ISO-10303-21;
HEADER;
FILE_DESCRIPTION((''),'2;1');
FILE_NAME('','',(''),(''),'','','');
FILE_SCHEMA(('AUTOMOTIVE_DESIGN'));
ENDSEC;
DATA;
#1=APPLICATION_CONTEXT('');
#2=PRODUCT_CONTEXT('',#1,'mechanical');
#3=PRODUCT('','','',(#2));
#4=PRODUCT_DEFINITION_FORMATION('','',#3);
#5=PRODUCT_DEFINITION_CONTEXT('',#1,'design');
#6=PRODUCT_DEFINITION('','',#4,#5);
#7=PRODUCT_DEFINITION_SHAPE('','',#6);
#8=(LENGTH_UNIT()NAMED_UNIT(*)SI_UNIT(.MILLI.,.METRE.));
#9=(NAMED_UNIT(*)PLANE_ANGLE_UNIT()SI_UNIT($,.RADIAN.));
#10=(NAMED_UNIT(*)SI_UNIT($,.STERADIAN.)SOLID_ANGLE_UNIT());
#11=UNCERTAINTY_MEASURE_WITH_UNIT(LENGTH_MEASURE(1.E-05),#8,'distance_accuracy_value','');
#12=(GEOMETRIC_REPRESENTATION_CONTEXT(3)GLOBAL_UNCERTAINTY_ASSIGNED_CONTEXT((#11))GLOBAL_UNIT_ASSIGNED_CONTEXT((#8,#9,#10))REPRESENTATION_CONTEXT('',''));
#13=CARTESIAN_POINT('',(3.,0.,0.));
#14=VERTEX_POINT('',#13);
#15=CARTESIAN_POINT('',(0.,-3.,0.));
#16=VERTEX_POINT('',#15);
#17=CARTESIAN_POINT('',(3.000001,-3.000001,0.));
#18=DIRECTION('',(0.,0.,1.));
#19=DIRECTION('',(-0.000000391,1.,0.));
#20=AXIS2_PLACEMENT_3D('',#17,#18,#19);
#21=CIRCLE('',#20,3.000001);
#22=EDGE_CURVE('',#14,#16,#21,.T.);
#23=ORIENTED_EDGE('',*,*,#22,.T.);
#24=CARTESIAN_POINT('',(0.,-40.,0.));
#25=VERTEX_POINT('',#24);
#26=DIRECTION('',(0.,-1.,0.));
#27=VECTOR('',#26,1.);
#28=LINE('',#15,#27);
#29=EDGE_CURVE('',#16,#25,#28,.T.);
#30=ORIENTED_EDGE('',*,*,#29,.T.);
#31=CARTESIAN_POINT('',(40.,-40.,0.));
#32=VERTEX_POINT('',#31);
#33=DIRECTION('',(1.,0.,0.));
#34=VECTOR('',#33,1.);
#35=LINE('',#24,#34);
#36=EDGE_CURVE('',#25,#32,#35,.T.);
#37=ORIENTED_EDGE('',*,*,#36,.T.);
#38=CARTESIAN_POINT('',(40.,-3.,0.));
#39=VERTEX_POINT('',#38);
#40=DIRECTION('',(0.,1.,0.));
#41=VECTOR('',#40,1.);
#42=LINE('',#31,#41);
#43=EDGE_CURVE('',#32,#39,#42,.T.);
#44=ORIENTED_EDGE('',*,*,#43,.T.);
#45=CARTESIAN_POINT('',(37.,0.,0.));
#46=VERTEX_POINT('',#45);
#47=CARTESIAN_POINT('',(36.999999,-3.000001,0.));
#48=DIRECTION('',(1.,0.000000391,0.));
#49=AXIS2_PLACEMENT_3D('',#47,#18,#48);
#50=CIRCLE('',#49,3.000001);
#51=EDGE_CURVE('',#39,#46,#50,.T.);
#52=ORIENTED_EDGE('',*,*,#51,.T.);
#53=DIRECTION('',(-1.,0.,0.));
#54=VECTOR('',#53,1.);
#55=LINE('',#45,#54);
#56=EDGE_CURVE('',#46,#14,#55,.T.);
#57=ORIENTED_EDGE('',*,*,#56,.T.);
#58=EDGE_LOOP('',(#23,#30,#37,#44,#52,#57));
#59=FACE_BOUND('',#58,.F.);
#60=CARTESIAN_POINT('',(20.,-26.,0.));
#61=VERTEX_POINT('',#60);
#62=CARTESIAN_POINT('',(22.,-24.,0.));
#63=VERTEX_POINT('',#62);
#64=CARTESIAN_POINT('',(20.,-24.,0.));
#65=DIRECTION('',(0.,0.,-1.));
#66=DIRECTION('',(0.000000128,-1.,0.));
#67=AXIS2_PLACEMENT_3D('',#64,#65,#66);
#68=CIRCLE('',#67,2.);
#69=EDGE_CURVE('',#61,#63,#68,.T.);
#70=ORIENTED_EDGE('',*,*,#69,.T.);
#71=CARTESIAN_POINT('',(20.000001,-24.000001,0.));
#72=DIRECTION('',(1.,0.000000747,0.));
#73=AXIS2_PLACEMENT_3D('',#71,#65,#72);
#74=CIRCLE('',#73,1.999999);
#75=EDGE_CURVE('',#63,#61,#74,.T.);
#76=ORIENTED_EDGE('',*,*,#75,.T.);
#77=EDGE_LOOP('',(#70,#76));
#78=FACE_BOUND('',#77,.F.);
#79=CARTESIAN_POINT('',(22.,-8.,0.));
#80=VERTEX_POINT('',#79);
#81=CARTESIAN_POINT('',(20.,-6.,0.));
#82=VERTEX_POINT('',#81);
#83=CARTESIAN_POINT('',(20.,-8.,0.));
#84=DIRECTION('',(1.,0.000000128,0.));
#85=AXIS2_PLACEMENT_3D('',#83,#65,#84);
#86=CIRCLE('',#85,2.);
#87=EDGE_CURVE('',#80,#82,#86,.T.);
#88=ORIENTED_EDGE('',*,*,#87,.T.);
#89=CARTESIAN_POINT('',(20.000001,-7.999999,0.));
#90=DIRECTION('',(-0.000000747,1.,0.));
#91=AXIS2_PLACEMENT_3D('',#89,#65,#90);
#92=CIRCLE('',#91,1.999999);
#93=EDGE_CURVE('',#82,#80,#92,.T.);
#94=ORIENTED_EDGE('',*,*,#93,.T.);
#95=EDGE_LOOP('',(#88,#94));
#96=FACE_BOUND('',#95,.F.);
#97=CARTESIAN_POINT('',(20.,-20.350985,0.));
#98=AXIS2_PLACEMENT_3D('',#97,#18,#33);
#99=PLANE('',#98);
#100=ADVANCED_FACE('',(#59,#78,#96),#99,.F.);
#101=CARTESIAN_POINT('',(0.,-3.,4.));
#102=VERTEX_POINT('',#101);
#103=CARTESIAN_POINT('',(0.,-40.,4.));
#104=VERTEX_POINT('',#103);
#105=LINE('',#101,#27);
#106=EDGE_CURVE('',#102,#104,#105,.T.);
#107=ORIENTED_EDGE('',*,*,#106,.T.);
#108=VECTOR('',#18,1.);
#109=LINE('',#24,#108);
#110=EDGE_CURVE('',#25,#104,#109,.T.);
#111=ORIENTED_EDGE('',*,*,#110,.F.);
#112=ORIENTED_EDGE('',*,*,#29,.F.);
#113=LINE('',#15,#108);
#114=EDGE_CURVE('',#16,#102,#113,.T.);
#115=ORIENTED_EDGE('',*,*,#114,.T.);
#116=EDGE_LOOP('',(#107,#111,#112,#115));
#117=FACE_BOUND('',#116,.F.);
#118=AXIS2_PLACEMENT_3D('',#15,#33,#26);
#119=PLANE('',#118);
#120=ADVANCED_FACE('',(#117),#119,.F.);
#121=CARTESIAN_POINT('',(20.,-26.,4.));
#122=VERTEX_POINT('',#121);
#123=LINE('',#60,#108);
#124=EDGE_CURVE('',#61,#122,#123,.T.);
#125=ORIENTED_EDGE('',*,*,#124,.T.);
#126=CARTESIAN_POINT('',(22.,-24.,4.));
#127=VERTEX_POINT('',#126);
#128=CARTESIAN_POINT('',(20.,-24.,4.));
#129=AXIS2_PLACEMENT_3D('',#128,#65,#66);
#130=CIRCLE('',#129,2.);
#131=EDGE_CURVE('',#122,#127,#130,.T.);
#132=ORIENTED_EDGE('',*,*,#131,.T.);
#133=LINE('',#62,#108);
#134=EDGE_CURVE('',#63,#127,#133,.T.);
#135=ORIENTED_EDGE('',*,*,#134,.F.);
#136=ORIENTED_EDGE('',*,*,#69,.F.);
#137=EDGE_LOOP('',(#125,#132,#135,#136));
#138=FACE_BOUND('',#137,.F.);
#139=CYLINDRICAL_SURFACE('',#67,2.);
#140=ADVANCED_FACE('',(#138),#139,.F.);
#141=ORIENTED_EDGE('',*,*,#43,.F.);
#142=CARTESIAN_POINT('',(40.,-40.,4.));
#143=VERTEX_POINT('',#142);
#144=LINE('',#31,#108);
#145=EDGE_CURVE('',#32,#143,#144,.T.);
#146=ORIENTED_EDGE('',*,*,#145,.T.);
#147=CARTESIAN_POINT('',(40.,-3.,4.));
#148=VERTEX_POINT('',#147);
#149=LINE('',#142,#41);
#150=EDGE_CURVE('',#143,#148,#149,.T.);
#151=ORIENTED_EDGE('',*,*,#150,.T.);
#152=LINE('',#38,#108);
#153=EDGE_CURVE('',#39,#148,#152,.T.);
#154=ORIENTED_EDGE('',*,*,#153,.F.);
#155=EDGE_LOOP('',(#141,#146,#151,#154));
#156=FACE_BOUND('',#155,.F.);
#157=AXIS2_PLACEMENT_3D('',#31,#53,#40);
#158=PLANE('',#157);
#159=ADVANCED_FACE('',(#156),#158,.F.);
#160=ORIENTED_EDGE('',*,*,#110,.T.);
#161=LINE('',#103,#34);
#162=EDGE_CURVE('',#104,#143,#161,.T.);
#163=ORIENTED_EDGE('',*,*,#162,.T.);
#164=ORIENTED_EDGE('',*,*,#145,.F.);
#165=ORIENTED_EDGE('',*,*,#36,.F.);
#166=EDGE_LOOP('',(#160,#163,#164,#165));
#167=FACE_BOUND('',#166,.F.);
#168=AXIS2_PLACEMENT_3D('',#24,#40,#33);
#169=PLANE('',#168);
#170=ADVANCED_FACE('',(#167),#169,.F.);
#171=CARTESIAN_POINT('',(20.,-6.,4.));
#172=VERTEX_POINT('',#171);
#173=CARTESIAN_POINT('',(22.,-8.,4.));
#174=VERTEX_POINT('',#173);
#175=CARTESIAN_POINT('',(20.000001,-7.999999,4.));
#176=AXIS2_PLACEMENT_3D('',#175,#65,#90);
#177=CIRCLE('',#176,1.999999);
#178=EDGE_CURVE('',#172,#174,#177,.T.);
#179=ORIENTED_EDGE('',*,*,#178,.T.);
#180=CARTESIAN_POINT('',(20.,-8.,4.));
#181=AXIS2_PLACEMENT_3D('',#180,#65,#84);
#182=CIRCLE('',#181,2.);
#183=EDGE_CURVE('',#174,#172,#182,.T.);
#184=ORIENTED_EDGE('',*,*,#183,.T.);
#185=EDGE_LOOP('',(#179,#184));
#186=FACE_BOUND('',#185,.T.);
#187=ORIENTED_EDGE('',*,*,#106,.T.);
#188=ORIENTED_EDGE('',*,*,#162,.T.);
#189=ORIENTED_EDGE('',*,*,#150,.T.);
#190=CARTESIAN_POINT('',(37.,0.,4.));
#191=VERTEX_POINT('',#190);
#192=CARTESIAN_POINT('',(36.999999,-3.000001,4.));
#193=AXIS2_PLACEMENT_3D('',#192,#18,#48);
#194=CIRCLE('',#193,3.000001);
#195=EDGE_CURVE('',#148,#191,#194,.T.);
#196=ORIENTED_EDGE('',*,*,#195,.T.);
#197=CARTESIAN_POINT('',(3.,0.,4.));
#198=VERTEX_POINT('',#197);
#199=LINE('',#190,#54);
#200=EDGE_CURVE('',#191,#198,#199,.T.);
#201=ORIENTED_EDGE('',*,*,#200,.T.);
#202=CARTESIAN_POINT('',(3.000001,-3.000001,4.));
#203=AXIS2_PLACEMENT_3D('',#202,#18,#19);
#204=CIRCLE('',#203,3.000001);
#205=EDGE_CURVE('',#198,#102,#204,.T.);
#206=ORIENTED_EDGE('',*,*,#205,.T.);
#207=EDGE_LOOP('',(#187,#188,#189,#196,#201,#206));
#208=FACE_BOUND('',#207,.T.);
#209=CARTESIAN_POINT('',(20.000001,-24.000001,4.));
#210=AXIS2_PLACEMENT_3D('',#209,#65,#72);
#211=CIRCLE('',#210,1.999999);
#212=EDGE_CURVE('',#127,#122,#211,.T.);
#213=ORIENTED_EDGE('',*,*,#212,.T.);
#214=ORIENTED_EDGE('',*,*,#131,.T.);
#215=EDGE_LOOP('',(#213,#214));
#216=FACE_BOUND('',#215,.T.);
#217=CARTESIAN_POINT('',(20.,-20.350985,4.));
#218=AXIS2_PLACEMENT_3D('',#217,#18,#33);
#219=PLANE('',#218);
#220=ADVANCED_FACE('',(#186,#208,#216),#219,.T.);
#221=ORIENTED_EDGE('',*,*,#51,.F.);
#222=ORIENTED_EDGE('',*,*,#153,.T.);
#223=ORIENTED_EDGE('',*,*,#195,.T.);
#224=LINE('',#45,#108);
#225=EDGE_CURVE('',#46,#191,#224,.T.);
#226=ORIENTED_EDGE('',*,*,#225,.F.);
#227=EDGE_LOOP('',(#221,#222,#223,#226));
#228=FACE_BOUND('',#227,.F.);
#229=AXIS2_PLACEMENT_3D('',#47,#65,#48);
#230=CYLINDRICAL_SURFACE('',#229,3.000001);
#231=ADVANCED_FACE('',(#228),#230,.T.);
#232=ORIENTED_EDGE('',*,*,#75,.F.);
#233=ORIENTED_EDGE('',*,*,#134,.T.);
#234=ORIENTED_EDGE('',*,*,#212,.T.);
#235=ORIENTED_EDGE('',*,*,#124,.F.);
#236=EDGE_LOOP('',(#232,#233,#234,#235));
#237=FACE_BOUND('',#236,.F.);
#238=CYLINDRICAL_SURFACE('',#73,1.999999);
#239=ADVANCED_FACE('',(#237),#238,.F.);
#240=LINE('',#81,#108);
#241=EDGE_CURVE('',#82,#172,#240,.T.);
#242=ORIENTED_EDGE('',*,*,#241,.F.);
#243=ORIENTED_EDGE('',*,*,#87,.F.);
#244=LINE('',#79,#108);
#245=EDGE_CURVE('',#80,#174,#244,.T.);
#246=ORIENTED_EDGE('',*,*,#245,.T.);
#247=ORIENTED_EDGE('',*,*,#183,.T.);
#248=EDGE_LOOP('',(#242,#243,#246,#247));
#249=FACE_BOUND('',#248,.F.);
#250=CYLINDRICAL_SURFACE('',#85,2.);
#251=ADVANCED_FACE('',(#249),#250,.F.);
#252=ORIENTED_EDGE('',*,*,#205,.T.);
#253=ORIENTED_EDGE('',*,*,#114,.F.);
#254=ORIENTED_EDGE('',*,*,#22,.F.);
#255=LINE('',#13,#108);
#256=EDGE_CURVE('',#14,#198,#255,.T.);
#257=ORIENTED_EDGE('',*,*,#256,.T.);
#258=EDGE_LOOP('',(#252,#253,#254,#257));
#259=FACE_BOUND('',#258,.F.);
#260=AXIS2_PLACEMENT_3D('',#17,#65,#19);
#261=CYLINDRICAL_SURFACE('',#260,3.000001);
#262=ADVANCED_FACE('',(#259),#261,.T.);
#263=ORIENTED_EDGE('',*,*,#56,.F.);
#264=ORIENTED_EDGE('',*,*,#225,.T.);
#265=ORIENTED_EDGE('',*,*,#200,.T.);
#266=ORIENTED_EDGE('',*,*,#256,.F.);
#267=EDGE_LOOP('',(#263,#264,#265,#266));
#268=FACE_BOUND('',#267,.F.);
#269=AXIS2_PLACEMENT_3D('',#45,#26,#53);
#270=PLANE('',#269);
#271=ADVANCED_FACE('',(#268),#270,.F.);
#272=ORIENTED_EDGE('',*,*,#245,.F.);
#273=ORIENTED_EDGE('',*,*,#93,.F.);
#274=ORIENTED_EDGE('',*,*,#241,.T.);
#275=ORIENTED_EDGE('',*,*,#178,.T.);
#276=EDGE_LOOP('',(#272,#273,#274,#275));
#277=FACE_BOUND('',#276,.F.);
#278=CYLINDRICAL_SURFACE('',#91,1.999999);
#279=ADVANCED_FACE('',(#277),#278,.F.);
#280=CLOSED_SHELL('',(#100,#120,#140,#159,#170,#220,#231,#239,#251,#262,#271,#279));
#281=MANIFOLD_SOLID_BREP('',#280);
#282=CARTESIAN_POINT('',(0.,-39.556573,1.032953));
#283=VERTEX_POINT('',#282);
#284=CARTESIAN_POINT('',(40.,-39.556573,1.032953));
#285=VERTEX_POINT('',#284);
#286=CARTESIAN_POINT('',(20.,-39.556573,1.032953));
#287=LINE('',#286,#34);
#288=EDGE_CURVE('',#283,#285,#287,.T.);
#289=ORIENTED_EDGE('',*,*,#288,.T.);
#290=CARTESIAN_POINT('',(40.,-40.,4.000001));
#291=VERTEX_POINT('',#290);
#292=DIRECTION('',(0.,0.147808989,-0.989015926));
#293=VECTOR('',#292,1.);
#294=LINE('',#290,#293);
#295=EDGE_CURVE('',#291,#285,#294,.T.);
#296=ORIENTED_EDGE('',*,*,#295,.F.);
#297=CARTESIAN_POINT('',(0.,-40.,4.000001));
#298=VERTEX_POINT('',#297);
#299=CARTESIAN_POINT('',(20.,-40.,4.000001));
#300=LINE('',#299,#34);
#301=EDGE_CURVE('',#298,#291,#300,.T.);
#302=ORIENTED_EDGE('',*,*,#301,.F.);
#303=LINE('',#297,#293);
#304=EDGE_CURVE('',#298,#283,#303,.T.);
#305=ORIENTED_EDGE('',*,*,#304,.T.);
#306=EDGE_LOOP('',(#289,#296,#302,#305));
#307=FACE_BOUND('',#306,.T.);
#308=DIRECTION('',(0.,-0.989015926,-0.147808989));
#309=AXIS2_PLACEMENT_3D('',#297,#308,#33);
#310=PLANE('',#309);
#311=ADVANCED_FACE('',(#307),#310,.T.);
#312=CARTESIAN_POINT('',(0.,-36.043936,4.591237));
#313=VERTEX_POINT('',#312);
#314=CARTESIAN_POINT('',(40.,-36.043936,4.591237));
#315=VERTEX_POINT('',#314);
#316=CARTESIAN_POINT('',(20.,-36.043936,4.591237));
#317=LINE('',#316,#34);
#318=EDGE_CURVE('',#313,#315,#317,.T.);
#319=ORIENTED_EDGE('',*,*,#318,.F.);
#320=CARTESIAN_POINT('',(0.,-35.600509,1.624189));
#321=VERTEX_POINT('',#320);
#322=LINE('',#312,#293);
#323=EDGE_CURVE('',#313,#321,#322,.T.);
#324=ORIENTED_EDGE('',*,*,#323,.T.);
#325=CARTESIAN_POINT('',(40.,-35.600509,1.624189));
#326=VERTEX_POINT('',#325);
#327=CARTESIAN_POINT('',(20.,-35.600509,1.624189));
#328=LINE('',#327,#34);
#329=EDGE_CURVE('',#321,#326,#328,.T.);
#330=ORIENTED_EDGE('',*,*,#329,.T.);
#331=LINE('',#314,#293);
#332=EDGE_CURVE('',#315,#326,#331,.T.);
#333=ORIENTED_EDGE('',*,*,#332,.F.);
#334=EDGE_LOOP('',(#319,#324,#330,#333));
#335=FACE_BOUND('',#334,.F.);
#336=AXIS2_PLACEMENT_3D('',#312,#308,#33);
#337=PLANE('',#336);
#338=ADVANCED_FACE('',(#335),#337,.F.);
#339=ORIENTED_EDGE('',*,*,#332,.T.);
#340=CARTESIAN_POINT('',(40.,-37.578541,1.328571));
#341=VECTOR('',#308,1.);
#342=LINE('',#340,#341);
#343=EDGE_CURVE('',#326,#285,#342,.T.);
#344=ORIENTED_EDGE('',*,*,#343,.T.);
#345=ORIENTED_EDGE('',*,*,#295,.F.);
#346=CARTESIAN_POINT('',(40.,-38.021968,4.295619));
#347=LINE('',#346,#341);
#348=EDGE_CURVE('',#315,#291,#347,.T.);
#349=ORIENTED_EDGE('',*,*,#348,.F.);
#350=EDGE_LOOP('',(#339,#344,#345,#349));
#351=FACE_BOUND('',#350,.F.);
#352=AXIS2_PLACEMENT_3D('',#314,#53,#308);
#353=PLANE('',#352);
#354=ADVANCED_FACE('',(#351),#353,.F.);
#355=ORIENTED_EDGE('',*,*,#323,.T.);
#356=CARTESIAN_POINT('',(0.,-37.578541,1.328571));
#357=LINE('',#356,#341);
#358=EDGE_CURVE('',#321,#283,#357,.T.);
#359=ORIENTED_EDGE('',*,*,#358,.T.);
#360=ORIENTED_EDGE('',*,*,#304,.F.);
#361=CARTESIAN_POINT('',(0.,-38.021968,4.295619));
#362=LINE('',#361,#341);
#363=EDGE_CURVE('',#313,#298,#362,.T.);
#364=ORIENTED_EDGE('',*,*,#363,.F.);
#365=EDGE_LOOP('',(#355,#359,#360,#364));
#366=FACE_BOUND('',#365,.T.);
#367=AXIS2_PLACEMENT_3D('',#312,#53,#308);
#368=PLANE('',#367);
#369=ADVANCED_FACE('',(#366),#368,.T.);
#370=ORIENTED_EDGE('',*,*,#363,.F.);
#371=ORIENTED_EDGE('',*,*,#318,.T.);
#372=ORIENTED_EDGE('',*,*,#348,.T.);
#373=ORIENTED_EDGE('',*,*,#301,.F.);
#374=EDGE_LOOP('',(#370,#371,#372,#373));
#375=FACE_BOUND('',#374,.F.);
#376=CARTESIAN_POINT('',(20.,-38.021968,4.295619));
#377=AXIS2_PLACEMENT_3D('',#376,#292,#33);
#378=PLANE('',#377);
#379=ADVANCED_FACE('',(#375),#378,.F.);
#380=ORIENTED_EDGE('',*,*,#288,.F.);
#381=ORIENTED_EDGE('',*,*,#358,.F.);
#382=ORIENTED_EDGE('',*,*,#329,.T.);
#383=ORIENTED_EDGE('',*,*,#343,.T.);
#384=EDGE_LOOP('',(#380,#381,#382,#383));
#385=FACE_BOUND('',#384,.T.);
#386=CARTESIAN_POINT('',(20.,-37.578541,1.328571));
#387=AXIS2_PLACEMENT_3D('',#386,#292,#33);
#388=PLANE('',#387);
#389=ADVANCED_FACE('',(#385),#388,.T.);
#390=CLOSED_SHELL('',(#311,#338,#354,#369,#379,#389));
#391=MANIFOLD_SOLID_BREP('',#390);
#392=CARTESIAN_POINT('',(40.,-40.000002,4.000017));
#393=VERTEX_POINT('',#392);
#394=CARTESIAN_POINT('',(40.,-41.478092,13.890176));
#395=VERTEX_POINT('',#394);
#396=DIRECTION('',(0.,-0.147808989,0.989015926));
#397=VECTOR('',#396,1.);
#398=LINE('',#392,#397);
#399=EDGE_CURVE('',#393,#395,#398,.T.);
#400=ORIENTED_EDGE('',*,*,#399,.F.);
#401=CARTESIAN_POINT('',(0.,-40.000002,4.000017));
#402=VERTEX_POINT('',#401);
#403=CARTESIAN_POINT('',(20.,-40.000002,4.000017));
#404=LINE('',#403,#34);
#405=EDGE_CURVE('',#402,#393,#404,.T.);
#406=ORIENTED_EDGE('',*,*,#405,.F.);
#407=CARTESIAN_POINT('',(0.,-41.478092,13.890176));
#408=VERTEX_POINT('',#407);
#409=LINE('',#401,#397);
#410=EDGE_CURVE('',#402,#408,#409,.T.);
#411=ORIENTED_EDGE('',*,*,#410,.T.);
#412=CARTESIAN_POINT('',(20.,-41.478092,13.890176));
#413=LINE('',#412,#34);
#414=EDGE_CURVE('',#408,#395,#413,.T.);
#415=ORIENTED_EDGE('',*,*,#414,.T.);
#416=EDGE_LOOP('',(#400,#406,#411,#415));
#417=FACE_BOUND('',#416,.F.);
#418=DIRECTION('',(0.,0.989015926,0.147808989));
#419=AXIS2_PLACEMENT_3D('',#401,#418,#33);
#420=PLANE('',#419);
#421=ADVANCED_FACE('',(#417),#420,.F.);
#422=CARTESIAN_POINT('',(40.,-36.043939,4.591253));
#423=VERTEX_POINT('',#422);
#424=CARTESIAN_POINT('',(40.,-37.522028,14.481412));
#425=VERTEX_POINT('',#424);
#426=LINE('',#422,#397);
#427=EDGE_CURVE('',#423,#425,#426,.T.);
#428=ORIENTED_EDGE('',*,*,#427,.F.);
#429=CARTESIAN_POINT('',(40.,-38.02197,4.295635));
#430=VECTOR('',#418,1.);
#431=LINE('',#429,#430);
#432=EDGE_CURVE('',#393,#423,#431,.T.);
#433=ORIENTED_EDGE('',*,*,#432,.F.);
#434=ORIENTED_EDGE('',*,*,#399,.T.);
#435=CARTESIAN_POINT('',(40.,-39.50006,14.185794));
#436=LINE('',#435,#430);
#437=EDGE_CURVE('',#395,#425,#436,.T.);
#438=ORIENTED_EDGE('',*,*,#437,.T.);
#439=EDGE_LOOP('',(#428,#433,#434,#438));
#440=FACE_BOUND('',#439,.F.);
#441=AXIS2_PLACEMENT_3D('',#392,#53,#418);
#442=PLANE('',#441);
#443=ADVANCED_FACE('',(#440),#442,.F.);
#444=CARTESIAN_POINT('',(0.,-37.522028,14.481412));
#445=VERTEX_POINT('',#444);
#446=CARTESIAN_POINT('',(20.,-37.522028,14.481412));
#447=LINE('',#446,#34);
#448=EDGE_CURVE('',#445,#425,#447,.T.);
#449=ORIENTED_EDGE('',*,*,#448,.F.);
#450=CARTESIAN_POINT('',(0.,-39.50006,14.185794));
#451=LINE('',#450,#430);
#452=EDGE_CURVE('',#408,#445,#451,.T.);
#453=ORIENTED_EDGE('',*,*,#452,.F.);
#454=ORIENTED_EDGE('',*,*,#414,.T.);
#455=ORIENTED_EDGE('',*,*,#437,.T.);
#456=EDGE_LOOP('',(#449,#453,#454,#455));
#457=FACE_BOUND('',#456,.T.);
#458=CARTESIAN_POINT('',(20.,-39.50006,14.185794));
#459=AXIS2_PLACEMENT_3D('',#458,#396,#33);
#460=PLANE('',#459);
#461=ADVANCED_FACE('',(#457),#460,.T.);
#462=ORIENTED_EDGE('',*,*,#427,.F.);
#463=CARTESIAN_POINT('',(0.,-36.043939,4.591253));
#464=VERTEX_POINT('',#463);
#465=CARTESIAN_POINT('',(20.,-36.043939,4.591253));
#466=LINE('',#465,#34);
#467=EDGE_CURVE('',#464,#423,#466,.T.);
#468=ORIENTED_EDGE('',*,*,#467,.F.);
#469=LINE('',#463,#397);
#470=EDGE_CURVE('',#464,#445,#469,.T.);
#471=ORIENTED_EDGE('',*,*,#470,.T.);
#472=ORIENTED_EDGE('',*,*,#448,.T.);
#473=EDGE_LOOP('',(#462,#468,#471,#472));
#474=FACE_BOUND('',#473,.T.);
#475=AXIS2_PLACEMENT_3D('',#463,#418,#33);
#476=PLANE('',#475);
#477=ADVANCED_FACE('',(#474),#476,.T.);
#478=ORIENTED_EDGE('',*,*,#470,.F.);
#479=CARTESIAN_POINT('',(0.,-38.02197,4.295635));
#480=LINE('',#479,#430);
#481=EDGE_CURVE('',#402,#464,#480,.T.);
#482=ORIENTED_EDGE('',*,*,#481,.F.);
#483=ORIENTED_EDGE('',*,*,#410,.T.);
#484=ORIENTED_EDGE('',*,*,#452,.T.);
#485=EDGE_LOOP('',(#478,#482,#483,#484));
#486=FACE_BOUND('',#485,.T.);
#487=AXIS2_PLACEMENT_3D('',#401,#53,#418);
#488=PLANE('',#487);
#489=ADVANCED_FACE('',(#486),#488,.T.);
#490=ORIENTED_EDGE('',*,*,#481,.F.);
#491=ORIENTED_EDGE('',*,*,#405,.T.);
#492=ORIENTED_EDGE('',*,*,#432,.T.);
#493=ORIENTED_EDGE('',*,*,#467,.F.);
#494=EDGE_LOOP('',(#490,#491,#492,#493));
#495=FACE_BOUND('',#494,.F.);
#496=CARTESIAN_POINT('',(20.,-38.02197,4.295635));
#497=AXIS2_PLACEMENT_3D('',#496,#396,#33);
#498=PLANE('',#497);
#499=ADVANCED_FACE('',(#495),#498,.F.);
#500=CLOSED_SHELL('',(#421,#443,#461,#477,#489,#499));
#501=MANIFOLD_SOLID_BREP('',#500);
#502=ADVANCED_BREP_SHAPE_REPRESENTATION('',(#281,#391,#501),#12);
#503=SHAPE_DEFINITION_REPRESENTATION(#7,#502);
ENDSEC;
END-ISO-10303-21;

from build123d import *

# Parameters (mm, degrees)
F1_DEPTH  = 4
F3_W      = 40
F3_H      = 4
F4_DEPTH  = 10
F4_FACE_W = 40
F4_FACE_H = 4
F5_DEPTH  = 3


with BuildPart() as f1:
    # F0 (on Top) → F1 (new body)
    with BuildSketch(Plane.XY):
        with BuildLine():
            Line((20, 0), (3, 0))
            ThreePointArc((3, 0), (0.87868, -0.87868), (0, -3))
            Line((0, -3), (0, -40))
            Line((0, -40), (20, -40))
            Line((20, -40), (40, -40))
            Line((40, -40), (40, -3))
            ThreePointArc((40, -3), (39.12132, -0.87868), (37, 0))
            Line((37, 0), (20, 0))
        make_face()
        with BuildLine():
            ThreePointArc((22, -24), (21.414214, -25.414214), (20, -26))
            ThreePointArc((20, -26), (18.585786, -22.585786), (22, -24))
        make_face(mode=Mode.SUBTRACT)
        with BuildLine():
            ThreePointArc((22, -8), (18.585786, -9.414214), (20, -6))
            ThreePointArc((20, -6), (21.414214, -6.585786), (22, -8))
        make_face(mode=Mode.SUBTRACT)
    extrude(amount=F1_DEPTH)


with BuildPart() as f4:
    # F3 (on face) → F4 (new body)
    with BuildSketch(Plane(origin=(0, -1.458648, 9.760044), x_dir=(1, 0, 0), z_dir=(0, -0.147809, 0.989016))):
        with Locations((20, -36.969397)):
            Rectangle(F3_W, F3_H)
    extrude(amount=F4_DEPTH)


with BuildPart() as f5:
    # F4_face (on face) → F5 (new body)
    with BuildSketch(Plane(origin=(20, -38.021968, 4.295619), x_dir=(1, 0, 0), z_dir=(0, 0.147809, -0.989016))):
        Rectangle(F4_FACE_W, F4_FACE_H)
    extrude(amount=F5_DEPTH)


solid = Compound([f1.part, f4.part, f5.part])
